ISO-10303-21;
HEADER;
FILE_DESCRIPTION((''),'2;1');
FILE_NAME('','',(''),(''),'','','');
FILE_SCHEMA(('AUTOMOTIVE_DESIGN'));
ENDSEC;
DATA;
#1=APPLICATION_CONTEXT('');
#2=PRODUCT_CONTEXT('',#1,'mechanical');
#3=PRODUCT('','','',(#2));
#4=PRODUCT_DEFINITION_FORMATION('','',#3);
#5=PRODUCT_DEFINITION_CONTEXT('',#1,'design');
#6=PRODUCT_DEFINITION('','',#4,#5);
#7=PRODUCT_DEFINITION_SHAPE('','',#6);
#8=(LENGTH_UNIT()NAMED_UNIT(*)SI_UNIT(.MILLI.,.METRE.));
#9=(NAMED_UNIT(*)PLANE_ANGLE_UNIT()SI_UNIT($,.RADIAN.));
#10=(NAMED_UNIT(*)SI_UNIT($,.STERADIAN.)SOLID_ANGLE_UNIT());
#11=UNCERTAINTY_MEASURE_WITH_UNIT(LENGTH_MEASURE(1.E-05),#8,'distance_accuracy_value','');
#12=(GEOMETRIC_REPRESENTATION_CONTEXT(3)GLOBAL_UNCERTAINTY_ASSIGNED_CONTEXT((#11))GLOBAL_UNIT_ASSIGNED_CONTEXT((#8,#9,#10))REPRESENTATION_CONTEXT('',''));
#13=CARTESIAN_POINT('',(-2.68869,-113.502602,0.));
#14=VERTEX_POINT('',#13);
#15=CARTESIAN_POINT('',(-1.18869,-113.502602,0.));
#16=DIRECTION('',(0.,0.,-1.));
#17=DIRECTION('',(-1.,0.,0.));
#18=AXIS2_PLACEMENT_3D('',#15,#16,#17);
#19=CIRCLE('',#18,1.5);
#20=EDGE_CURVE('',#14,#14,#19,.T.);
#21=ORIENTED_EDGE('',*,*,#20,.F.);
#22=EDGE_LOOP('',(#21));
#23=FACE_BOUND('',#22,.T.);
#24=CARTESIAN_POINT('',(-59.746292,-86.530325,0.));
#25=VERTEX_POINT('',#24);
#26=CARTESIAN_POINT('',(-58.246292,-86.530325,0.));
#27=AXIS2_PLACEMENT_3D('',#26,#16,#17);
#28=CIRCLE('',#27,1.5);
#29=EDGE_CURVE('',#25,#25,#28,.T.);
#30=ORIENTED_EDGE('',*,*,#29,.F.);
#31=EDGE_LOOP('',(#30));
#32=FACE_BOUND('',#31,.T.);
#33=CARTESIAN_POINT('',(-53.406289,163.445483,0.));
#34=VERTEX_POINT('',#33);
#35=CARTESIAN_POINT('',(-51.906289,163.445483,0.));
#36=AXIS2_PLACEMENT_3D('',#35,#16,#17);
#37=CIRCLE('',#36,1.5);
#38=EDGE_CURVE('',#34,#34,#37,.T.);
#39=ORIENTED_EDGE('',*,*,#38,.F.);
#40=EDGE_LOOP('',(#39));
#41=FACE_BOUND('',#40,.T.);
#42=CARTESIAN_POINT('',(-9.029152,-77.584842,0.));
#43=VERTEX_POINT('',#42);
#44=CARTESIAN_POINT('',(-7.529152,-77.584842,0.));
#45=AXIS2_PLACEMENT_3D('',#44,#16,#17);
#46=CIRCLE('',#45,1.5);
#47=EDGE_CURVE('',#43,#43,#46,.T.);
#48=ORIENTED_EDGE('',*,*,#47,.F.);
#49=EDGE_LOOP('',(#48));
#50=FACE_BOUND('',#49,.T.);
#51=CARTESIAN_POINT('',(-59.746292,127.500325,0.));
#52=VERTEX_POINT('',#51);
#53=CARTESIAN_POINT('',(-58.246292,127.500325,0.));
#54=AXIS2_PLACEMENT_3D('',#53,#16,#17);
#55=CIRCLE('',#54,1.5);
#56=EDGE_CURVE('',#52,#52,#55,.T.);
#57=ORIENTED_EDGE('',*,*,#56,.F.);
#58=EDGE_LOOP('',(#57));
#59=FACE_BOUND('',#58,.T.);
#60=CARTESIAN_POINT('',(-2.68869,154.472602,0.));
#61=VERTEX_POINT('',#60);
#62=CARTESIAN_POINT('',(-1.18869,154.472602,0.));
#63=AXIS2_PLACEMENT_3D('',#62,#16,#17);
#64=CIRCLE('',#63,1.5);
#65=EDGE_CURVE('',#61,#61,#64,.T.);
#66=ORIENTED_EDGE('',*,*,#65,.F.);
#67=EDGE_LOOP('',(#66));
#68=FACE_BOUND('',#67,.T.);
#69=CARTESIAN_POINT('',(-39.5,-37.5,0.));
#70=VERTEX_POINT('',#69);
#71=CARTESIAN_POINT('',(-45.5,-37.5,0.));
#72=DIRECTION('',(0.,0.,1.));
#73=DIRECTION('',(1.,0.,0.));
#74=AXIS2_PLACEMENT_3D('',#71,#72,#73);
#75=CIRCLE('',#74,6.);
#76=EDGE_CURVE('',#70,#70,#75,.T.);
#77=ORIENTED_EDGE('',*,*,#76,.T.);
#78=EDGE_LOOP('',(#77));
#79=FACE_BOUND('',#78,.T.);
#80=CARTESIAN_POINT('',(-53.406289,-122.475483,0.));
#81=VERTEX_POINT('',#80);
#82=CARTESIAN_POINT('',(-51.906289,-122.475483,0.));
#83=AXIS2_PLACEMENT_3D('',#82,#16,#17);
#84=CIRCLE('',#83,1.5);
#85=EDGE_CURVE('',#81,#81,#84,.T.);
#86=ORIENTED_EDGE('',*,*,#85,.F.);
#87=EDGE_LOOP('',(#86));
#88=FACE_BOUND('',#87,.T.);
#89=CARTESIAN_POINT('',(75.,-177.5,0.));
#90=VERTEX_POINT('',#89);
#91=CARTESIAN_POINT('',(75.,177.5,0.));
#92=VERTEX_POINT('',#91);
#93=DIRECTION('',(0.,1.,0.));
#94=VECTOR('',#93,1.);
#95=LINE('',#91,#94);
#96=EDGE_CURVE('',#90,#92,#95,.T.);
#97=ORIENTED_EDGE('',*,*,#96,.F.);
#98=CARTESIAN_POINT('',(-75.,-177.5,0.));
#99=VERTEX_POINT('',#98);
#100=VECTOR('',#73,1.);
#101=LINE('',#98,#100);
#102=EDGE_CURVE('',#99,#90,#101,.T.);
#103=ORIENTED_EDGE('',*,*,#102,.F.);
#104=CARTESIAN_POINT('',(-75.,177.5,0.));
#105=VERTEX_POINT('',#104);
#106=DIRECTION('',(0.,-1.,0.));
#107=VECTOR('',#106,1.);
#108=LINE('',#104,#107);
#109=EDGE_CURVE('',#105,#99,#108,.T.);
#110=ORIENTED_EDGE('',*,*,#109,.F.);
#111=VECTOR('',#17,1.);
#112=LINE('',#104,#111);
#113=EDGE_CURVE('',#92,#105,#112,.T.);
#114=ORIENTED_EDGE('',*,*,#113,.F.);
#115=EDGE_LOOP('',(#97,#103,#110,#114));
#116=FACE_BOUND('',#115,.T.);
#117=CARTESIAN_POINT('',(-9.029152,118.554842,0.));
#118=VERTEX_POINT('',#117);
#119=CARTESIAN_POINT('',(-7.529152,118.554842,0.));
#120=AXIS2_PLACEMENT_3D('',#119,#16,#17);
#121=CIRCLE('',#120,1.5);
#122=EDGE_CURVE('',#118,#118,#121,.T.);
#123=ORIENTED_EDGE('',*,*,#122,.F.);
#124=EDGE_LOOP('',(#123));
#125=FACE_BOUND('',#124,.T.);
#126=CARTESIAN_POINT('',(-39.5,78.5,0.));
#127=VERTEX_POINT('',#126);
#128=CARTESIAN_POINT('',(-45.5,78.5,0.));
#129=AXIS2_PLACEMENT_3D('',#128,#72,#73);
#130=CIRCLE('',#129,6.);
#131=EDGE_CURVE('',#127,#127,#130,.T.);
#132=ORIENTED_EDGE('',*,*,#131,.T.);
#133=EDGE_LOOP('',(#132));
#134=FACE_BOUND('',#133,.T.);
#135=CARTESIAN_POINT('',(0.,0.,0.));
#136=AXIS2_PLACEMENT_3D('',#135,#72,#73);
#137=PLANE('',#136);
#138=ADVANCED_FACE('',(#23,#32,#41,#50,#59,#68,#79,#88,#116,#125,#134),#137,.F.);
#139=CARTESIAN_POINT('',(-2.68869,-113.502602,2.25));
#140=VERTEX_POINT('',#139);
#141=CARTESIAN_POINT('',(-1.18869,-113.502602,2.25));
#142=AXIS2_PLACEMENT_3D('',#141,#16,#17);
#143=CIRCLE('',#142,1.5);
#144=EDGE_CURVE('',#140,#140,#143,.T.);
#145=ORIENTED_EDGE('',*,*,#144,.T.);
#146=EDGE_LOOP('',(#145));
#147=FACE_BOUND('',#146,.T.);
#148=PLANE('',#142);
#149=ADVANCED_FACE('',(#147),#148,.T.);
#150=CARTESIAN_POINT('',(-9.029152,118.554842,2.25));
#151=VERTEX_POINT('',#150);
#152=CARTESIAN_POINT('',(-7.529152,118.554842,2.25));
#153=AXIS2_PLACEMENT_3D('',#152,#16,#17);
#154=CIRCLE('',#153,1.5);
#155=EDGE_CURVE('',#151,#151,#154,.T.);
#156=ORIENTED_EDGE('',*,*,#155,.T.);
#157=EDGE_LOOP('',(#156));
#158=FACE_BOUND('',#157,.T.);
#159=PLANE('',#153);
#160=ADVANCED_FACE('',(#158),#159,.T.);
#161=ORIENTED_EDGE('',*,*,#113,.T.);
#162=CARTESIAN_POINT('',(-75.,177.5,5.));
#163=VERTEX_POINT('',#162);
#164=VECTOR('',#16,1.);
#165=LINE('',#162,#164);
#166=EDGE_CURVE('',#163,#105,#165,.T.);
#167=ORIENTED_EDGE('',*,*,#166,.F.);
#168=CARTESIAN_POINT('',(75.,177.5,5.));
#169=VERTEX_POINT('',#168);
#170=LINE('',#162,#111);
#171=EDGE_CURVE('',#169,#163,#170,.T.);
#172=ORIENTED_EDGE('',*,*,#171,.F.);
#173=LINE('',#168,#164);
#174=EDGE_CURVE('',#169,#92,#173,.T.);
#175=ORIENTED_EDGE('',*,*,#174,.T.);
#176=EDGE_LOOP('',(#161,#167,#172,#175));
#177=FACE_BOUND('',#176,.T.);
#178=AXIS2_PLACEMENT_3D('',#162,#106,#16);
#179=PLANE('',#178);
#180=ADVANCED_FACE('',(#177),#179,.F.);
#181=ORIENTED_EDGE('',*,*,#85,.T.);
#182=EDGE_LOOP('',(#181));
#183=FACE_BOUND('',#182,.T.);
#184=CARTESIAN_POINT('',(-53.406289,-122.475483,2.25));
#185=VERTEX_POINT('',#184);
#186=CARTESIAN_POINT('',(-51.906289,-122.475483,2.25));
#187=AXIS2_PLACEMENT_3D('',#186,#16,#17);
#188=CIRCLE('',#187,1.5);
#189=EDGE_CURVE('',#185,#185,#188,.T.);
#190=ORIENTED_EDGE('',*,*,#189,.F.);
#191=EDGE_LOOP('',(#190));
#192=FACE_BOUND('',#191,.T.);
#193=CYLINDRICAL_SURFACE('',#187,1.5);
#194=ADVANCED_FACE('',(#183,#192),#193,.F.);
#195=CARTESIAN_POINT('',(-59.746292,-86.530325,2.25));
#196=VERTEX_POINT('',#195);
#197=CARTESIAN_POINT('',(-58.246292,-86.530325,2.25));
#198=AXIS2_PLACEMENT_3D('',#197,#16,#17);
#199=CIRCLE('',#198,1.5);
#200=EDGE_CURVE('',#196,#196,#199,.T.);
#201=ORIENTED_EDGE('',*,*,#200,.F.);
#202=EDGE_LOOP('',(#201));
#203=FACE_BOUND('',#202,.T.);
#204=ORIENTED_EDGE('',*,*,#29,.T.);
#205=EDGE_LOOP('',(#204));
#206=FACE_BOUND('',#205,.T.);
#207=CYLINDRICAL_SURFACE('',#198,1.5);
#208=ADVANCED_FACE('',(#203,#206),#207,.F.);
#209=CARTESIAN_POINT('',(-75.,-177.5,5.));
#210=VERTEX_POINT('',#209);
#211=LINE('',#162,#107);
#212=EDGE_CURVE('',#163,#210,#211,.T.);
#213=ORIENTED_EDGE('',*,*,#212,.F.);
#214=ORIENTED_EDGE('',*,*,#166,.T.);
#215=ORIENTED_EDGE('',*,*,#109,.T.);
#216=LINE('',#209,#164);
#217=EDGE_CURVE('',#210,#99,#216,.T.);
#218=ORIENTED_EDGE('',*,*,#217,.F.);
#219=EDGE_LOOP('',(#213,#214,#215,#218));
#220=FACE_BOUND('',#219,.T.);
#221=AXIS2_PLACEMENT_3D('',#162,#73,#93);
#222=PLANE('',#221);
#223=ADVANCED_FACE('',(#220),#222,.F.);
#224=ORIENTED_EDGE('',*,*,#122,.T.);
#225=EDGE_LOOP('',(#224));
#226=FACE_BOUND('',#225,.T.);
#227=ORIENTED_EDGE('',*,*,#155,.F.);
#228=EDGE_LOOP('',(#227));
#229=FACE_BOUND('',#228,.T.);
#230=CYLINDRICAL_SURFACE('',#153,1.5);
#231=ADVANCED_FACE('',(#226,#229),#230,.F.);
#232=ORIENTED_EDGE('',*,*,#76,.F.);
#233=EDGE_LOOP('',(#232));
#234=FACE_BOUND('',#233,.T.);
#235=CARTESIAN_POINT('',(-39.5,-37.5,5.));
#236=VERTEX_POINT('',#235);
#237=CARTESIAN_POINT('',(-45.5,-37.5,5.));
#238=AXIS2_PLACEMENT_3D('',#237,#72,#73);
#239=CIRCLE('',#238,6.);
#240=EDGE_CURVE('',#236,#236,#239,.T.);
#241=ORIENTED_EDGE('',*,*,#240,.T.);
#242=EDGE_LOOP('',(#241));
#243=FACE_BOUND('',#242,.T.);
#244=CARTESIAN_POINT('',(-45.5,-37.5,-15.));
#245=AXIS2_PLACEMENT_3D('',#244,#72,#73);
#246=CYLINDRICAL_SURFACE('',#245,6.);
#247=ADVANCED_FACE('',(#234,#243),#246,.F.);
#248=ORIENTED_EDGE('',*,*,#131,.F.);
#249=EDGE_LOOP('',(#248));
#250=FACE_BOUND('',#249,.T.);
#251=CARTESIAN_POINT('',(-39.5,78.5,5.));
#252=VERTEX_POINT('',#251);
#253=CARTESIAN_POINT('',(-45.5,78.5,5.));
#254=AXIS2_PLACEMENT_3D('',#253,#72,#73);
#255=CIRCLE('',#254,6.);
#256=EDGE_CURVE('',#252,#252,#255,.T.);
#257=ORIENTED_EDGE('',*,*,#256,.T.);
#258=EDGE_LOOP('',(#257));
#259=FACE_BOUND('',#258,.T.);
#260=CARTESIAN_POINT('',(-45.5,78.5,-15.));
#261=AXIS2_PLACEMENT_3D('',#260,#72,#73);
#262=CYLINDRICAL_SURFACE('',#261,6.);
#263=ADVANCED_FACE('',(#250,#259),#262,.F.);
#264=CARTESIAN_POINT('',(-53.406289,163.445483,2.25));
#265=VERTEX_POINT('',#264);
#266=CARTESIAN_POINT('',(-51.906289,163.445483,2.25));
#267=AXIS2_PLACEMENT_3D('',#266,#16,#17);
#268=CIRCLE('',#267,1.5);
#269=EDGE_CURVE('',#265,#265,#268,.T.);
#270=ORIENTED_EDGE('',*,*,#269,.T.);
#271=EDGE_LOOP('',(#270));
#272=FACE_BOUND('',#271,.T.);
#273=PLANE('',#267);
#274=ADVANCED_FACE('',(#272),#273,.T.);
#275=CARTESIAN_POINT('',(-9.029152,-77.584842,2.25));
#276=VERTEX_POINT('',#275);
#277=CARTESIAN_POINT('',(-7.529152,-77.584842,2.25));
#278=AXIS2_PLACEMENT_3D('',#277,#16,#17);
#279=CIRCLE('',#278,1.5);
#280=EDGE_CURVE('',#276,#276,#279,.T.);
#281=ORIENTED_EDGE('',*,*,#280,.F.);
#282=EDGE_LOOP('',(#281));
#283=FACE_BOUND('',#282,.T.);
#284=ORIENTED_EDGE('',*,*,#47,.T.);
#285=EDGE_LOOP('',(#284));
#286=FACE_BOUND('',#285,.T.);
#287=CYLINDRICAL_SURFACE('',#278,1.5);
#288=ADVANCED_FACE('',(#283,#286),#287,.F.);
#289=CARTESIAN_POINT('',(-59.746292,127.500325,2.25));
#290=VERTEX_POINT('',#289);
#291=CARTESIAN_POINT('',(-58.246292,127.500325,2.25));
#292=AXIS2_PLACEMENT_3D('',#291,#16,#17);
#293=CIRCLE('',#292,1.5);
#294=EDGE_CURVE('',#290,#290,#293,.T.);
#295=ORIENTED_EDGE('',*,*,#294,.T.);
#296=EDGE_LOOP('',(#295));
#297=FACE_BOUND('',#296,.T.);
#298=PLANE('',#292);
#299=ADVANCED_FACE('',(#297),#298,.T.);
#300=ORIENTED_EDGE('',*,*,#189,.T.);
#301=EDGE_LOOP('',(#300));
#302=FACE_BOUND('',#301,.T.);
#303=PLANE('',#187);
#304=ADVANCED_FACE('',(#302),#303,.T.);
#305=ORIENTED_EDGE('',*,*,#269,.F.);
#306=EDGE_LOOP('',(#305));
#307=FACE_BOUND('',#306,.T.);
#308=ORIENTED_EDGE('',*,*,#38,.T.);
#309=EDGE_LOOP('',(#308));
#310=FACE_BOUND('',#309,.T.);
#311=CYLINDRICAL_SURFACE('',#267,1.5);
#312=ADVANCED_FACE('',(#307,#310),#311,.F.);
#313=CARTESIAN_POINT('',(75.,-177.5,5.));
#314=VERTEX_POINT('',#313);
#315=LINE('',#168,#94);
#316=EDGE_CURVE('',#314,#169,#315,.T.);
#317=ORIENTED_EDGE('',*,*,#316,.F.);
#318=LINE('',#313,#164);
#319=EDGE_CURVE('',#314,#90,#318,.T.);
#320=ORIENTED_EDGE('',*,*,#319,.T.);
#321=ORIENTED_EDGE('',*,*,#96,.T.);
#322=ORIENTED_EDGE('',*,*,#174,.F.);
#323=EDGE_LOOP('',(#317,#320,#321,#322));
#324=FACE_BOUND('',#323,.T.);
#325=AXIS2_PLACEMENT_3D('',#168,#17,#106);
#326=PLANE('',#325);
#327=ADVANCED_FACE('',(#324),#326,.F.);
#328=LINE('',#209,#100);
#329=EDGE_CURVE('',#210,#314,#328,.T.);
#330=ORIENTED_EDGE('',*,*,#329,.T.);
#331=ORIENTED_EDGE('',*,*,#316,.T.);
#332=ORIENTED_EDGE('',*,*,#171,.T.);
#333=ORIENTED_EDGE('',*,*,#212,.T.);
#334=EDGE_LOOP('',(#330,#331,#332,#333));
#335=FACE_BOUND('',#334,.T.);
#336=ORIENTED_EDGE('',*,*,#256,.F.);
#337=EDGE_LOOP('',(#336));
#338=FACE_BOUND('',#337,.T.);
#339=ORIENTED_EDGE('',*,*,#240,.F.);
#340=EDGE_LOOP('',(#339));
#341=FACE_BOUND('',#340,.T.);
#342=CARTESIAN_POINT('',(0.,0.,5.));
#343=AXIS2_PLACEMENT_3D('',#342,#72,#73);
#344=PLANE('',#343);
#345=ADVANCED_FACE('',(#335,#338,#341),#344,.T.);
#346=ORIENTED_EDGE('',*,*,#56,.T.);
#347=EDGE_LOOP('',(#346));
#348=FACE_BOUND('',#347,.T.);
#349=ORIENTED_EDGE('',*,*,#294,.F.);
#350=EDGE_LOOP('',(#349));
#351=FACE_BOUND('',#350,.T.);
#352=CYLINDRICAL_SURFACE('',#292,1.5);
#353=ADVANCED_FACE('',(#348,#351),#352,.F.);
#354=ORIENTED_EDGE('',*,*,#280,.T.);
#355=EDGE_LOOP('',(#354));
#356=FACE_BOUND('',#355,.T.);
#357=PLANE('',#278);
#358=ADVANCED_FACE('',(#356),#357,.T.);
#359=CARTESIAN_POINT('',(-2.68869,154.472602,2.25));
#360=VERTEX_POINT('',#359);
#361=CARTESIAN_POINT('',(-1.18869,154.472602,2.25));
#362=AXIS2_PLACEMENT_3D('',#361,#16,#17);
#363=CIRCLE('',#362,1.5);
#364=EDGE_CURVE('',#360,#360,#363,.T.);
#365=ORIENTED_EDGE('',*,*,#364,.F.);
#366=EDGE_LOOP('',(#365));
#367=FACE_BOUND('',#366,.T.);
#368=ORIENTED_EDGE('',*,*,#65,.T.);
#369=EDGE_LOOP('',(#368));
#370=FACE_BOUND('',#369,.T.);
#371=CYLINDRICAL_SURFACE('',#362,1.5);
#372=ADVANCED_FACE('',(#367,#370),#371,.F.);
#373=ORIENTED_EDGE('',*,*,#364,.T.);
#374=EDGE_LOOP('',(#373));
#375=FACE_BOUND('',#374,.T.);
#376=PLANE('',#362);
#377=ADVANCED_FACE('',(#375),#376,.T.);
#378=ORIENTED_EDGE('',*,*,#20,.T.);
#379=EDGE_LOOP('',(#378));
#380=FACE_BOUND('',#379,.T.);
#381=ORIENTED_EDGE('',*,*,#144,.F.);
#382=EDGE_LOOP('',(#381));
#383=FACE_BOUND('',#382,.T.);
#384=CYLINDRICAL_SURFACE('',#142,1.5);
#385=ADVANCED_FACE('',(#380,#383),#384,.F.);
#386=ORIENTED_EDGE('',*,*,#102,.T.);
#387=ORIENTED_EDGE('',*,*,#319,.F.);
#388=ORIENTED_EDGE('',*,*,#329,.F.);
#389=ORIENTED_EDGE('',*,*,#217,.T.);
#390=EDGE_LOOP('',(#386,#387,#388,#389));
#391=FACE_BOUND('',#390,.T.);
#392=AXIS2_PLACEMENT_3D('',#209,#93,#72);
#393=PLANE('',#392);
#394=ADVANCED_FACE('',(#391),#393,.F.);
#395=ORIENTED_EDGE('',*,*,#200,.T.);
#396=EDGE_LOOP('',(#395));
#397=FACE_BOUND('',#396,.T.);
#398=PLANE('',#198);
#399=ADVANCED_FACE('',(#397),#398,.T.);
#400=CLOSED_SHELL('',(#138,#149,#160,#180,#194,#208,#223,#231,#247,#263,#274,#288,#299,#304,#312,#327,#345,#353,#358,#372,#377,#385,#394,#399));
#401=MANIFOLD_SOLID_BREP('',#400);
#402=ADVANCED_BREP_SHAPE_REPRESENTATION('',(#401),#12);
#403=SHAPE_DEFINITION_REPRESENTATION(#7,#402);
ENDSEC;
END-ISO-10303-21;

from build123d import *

# Parameters (mm, degrees)
ESQUISSE1_W             = 150
ESQUISSE1_H             = 355
BOSS_EXTRU_1_DEPTH      = 5
ESQUISSE2_R             = 6
ENL_V_MAT_EXTRU_1_DEPTH = 20
ESQUISSE3_R             = 1.5
ENL_V_MAT_EXTRU_2_DEPTH = 2.25


with BuildPart() as part:
    # Esquisse1 → Boss.-Extru.1 (new body)
    with BuildSketch(Plane.XY):
        Rectangle(ESQUISSE1_W, ESQUISSE1_H)
    extrude(amount=BOSS_EXTRU_1_DEPTH)

    # Esquisse2 → Enlèv. mat.-Extru.1 (cut)
    with BuildSketch(Plane.XY.offset(5)):
        with Locations((-45.5, 78.5)):
            Circle(ESQUISSE2_R)
        with Locations((-45.5, -37.5)):
            Circle(ESQUISSE2_R)
    extrude(amount=-ENL_V_MAT_EXTRU_1_DEPTH, mode=Mode.SUBTRACT)

    # Esquisse3 → Enlèv. mat.-Extru.2 (cut)
    with BuildSketch(Plane(origin=(0, 0, 0), x_dir=(-1, 0, 0), z_dir=(0, 0, -1))):
        with Locations((1.188690161, 154.472601824)):
            Circle(ESQUISSE3_R)
        with Locations((51.906289441, 163.445482985)):
            Circle(ESQUISSE3_R)
        with Locations((7.529151507, 118.554842214)):
            Circle(ESQUISSE3_R)
        with Locations((58.246291945, 127.500325199)):
            Circle(ESQUISSE3_R)
        with Locations((7.529151507, -77.584842214)):
            Circle(ESQUISSE3_R)
        with Locations((58.246291945, -86.530325199)):
            Circle(ESQUISSE3_R)
        with Locations((1.188690161, -113.502601824)):
            Circle(ESQUISSE3_R)
        with Locations((51.906289441, -122.475482985)):
            Circle(ESQUISSE3_R)
    extrude(amount=-ENL_V_MAT_EXTRU_2_DEPTH, mode=Mode.SUBTRACT)


solid = part.part
